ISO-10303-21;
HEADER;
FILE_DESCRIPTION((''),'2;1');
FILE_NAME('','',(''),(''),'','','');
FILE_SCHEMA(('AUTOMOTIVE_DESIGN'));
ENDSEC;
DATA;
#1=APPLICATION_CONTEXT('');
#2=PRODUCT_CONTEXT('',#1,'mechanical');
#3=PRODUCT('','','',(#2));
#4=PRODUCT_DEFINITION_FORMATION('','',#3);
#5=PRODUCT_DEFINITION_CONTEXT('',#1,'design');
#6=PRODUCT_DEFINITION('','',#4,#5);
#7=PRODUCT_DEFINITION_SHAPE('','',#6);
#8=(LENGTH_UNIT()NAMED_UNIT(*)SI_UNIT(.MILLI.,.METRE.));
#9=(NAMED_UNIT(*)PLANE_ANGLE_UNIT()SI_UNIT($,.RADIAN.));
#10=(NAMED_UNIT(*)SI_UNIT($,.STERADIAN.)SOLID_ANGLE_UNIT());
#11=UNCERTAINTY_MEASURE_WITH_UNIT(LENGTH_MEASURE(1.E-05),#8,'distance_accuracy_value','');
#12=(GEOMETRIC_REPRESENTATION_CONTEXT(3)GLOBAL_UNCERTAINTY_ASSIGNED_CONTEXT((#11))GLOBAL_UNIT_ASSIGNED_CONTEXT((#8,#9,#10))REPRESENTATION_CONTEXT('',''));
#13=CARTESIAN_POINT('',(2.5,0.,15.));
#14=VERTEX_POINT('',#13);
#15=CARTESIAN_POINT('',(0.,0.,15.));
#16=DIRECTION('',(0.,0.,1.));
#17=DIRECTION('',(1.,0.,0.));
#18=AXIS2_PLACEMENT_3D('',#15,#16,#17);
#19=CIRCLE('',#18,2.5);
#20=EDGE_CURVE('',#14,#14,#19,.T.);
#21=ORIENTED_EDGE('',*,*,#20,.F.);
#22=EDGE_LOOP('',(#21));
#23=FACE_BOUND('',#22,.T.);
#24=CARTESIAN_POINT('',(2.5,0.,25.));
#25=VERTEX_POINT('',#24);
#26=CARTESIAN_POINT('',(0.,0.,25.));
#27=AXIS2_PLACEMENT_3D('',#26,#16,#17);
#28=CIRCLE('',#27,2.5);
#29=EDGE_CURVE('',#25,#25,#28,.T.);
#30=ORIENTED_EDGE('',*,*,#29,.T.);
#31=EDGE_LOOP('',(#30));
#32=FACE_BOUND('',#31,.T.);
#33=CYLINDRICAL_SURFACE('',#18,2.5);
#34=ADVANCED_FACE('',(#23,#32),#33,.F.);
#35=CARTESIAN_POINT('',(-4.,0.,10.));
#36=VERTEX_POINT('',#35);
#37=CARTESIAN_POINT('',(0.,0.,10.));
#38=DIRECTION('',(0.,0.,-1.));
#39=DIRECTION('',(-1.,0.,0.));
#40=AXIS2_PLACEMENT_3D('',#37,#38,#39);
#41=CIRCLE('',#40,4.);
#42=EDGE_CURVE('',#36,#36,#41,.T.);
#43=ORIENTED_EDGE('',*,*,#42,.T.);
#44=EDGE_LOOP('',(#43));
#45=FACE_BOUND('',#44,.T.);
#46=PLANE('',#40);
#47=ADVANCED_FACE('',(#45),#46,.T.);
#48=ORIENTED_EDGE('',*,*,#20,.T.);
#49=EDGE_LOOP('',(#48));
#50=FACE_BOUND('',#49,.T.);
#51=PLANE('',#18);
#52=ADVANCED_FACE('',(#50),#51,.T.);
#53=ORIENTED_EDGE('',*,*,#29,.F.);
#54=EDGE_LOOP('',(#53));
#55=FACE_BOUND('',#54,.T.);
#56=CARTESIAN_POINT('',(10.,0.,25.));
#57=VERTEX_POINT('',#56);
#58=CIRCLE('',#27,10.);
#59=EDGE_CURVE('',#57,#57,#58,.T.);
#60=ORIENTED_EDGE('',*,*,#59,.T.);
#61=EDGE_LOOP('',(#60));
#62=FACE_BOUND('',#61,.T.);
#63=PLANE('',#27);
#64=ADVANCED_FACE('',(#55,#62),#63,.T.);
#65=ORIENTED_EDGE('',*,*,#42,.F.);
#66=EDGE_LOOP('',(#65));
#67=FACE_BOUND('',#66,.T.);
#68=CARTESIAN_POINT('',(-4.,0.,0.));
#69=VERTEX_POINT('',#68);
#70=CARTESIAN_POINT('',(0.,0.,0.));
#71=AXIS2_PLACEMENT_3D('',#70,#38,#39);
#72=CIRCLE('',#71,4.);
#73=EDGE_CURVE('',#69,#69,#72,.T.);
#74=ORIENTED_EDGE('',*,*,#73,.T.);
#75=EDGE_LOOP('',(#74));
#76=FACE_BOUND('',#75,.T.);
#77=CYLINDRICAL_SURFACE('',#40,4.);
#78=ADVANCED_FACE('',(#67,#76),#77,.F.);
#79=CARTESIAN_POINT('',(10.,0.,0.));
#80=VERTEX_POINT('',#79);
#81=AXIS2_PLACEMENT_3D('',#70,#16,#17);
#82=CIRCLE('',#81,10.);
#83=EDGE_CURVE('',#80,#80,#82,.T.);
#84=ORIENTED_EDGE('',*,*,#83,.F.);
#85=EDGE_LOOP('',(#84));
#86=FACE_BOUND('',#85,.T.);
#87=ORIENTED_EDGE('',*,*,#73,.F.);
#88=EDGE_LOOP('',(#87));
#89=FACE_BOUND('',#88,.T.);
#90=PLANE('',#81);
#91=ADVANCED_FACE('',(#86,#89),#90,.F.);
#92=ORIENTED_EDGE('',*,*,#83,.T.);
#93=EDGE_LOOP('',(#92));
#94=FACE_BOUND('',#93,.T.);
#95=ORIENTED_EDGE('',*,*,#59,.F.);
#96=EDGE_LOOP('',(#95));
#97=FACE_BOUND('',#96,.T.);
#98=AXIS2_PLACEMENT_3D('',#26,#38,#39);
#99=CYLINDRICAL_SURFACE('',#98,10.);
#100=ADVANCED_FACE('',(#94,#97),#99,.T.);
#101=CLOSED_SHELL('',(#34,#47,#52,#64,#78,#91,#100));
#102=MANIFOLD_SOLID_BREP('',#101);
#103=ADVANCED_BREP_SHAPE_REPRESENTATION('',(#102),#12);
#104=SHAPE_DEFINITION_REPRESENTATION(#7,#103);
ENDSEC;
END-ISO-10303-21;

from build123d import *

# Parameters (mm, degrees)
SKETCH1_R           = 10
BOSS_EXTRUDE1_DEPTH = 25
SKETCH2_R           = 2.5
CUT_EXTRUDE1_DEPTH  = 10
SKETCH3_R           = 4
CUT_EXTRUDE2_DEPTH  = 10


with BuildPart() as part:
    # Sketch1 → Boss-Extrude1 (new body)
    with BuildSketch(Plane.XY):
        Circle(SKETCH1_R)
    extrude(amount=BOSS_EXTRUDE1_DEPTH)

    # Sketch2 → Cut-Extrude1 (cut)
    with BuildSketch(Plane.XY.offset(25)):
        Circle(SKETCH2_R)
    extrude(amount=-CUT_EXTRUDE1_DEPTH, mode=Mode.SUBTRACT)

    # Sketch3 → Cut-Extrude2 (cut)
    with BuildSketch(Plane(origin=(0, 0, 0), x_dir=(-1, 0, 0), z_dir=(0, 0, -1))):
        Circle(SKETCH3_R)
    extrude(amount=-CUT_EXTRUDE2_DEPTH, mode=Mode.SUBTRACT)


solid = part.part
